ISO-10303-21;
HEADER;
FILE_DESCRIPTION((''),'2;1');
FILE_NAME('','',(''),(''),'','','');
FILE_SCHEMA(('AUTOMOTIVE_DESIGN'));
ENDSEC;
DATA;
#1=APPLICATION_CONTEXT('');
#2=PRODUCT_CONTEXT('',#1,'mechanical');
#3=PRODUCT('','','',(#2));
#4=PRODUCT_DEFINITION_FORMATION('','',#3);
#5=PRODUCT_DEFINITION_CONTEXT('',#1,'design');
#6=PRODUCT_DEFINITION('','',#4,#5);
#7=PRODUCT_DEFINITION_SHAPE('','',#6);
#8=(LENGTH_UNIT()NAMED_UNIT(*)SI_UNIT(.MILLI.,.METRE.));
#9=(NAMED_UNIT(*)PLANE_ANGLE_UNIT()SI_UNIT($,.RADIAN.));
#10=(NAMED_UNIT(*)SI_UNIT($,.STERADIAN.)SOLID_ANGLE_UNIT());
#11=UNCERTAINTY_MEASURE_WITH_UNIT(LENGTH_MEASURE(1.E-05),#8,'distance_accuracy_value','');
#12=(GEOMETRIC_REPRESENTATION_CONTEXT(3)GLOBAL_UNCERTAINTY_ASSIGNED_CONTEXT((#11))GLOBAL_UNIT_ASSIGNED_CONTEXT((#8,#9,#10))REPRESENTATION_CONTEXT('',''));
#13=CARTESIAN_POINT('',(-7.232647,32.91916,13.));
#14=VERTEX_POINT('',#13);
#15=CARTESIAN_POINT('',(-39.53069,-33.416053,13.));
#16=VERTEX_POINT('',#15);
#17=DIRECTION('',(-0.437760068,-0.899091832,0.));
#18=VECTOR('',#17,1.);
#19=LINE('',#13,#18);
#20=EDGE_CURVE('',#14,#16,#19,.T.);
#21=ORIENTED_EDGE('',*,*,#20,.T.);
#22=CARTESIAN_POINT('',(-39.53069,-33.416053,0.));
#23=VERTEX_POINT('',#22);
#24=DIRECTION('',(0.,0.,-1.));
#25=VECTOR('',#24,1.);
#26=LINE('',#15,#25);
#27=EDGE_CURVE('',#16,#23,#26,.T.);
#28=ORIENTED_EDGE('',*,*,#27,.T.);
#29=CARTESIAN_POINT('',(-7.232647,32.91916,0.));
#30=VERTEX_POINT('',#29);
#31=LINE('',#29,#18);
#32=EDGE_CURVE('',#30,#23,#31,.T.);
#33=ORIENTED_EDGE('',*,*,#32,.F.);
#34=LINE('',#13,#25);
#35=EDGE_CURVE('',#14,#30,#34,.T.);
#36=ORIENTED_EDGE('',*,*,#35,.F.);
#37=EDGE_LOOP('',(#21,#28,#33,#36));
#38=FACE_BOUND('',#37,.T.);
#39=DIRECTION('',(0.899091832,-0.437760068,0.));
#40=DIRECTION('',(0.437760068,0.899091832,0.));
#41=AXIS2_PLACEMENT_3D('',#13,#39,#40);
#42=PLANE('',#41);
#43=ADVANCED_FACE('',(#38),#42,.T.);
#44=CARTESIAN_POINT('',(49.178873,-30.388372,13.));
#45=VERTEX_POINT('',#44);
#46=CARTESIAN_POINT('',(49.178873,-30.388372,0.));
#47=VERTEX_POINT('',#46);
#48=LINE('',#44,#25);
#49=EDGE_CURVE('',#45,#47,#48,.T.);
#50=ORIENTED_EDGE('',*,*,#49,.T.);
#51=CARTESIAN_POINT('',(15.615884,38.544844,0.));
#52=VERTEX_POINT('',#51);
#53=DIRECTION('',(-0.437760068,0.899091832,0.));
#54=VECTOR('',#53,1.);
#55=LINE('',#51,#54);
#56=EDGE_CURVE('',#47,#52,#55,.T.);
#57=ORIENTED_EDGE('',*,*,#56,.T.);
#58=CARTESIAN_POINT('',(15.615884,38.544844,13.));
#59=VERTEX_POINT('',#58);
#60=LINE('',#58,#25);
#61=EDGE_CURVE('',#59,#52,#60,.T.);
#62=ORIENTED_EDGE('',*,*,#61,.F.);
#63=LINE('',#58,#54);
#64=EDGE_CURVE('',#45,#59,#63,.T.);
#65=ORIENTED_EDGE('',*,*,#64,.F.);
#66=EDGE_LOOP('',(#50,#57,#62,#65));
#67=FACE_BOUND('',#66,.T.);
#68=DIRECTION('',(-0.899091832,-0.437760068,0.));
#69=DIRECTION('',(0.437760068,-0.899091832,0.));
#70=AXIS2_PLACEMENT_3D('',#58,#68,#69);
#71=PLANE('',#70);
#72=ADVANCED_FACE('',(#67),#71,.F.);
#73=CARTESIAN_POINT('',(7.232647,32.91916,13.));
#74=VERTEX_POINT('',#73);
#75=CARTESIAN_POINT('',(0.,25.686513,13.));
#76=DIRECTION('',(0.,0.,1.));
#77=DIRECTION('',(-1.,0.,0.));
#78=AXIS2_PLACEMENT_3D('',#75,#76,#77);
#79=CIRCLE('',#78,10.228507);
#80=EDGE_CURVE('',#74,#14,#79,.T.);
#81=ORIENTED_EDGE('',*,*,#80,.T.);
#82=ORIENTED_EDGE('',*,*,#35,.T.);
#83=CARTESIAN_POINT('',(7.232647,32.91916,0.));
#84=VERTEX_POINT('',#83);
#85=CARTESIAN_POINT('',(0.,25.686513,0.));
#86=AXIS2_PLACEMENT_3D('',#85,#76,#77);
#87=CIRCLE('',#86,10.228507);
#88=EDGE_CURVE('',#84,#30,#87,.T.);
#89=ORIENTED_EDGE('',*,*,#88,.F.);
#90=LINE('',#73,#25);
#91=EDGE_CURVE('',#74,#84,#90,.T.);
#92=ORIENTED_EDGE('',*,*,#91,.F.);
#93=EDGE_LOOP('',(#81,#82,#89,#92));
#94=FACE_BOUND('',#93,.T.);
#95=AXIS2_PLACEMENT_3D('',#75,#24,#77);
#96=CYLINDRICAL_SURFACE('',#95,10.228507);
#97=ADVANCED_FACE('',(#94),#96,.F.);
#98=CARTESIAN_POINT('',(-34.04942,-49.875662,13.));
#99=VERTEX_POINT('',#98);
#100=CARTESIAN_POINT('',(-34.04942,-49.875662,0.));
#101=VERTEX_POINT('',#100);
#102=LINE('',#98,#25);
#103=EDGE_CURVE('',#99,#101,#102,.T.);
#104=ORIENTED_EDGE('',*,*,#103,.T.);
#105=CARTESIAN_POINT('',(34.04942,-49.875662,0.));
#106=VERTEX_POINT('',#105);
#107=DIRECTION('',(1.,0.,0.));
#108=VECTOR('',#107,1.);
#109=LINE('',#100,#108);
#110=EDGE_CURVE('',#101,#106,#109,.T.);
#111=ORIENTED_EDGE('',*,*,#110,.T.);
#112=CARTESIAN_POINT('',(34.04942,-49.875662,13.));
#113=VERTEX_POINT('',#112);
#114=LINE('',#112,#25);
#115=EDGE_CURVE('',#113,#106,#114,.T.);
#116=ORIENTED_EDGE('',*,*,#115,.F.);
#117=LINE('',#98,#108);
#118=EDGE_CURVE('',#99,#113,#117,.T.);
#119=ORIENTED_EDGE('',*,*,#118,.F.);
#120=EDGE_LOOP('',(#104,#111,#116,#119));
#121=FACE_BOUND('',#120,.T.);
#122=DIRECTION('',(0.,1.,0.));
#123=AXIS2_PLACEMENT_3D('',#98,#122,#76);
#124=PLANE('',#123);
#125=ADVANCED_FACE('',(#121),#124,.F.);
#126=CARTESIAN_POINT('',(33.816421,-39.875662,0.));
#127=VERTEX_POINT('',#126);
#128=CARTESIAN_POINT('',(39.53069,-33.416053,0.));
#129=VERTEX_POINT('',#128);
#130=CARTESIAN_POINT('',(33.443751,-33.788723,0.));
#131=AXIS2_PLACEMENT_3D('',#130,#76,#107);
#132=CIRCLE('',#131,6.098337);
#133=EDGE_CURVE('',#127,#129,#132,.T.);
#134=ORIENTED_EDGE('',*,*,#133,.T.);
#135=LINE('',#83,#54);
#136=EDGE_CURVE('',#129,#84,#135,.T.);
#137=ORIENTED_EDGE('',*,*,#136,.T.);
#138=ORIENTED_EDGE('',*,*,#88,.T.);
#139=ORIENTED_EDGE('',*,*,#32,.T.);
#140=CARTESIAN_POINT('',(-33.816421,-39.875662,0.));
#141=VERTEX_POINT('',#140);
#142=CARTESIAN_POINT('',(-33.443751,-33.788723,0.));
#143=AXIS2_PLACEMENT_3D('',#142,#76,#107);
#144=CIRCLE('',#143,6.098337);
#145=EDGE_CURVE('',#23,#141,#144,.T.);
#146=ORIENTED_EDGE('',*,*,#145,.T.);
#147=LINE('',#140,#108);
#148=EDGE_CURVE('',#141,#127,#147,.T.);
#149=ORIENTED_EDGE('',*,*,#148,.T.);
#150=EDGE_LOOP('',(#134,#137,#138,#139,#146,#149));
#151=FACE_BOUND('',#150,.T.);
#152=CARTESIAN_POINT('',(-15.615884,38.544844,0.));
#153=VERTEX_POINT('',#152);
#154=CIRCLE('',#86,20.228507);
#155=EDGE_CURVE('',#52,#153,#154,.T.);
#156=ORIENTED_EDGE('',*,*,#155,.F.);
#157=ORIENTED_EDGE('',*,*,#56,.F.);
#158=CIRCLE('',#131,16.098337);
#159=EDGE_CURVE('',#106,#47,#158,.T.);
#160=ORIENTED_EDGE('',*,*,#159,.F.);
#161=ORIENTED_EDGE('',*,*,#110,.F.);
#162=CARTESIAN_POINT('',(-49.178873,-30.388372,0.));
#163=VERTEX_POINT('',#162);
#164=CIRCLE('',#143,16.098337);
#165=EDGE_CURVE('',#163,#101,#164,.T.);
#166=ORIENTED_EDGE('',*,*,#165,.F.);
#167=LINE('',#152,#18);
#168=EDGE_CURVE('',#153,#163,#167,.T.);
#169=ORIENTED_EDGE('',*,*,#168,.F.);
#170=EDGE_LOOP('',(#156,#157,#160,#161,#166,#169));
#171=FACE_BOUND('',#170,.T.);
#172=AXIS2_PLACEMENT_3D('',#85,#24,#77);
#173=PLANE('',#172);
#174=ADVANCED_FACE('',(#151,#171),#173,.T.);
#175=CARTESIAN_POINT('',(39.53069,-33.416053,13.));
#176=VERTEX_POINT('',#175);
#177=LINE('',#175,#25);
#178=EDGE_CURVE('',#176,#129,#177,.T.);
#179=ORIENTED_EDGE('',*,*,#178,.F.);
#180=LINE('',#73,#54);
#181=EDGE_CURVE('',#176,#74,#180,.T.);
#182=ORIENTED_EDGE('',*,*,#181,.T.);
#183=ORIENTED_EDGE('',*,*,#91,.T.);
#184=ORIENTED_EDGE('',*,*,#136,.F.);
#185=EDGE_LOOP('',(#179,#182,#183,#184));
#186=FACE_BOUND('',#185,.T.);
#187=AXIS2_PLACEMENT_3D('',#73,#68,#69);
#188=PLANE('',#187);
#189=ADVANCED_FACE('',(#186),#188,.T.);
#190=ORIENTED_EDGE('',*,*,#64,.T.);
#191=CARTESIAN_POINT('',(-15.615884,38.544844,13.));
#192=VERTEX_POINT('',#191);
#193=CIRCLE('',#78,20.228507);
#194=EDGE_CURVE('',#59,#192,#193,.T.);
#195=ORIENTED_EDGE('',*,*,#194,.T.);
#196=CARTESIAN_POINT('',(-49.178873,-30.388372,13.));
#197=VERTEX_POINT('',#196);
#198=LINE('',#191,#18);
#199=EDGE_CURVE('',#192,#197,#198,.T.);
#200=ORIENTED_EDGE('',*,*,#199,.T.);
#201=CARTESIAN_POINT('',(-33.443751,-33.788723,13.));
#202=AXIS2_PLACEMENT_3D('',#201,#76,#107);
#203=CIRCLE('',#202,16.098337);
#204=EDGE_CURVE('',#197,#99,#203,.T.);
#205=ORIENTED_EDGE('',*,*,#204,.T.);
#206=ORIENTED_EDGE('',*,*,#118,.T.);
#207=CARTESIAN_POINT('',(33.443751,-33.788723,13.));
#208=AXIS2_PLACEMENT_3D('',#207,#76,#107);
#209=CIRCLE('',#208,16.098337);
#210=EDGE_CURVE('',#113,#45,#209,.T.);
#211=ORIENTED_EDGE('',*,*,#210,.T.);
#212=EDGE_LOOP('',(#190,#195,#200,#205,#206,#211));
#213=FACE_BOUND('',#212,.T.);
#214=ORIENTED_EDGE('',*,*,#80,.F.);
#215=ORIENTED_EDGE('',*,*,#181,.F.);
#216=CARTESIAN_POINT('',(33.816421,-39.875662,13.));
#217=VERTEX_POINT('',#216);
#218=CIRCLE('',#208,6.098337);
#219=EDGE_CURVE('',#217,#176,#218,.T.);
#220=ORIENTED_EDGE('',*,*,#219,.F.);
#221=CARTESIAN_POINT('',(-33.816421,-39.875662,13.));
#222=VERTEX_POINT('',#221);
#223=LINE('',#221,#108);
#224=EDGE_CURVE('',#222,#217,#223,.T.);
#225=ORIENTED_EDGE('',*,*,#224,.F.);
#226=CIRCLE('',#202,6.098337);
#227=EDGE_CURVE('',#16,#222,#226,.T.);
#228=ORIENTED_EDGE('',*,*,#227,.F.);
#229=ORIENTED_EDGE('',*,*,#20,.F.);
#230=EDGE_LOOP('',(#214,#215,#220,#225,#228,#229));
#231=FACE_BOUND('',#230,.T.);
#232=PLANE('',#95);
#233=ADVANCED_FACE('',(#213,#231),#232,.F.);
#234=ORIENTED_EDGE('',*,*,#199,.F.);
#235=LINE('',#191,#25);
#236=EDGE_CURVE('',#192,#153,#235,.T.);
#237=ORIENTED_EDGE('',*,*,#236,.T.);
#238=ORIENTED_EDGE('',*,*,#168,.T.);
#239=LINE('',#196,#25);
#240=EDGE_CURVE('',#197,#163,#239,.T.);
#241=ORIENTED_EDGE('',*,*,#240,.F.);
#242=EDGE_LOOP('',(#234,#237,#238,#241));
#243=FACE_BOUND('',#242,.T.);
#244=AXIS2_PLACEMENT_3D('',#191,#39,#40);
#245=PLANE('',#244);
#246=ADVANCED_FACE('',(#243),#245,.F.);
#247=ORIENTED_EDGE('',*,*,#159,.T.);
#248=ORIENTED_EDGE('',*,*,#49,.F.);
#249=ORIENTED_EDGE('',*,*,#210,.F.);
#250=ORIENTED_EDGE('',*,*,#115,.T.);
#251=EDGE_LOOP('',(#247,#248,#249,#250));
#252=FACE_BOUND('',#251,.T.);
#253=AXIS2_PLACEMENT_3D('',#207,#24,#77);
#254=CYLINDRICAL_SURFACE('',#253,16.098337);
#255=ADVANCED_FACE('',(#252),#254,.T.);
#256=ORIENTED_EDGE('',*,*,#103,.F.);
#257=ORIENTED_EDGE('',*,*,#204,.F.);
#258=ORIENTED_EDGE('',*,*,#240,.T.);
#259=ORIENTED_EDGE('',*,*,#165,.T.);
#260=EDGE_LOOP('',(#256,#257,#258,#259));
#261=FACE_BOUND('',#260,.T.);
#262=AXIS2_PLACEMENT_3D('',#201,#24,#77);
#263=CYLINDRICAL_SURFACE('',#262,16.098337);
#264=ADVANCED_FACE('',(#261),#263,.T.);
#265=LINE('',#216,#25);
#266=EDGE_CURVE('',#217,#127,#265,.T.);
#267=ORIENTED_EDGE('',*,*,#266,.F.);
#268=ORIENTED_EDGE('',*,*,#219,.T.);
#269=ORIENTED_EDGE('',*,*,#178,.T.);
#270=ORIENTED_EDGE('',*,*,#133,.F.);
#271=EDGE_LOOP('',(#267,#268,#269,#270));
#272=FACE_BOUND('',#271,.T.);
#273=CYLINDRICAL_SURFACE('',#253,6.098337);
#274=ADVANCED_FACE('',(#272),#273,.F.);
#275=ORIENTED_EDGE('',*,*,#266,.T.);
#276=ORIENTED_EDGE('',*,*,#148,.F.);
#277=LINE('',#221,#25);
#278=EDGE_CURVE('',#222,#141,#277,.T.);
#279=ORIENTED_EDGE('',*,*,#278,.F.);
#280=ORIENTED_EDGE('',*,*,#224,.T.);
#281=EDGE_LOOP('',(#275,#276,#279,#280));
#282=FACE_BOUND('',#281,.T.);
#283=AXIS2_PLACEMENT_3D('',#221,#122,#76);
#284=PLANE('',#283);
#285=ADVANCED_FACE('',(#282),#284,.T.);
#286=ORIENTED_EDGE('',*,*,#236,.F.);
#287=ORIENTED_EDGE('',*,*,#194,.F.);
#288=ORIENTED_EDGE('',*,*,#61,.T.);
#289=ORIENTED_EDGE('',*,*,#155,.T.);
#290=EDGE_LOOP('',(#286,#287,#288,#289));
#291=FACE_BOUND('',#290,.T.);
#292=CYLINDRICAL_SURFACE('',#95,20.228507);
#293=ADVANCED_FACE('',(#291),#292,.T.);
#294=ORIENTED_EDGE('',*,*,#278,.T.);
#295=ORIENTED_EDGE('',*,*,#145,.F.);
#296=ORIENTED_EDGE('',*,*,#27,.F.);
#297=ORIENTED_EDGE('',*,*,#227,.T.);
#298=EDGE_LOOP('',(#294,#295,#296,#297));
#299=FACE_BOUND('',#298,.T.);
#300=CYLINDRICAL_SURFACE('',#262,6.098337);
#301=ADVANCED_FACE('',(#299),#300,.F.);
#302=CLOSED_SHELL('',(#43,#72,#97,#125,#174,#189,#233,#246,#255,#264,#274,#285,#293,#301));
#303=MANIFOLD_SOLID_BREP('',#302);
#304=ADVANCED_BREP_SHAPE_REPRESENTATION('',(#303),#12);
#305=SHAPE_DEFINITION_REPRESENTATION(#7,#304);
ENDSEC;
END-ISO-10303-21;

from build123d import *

# Parameters (mm, degrees)
RESSALTO_EXTRUS_O1_DEPTH = 13


with BuildPart() as part:
    # Esboço1 → Ressalto-extrusão1 (new body)
    with BuildSketch(Plane.XY):
        with BuildLine():
            Line((15.615884134, 38.544843573), (49.178873209, -30.38837245))
            ThreePointArc((49.178873209, -30.38837245), (46.159645688, -43.661031044), (34.049419966, -49.87566168))
            Line((34.049419966, -49.87566168), (-34.049419966, -49.87566168))
            ThreePointArc((-34.049419966, -49.87566168), (-46.159645688, -43.661031044), (-49.178873209, -30.38837245))
            Line((-49.178873209, -30.38837245), (-15.615884134, 38.544843573))
            ThreePointArc((-15.615884134, 38.544843573), (0, 45.915020285), (15.615884134, 38.544843573))
        make_face()
        with BuildLine():
            Line((-7.232646643, 32.919159954), (-39.530690371, -33.416052934))
            ThreePointArc((-39.530690371, -33.416052934), (-38.011384509, -37.829321224), (-33.816421096, -39.87566168))
            Line((-33.816421096, -39.87566168), (33.816421096, -39.87566168))
            ThreePointArc((33.816421096, -39.87566168), (38.011384509, -37.829321224), (39.530690371, -33.416052934))
            Line((39.530690371, -33.416052934), (7.232646643, 32.919159954))
            ThreePointArc((7.232646643, 32.919159954), (0, 35.915020285), (-7.232646643, 32.919159954))
        make_face(mode=Mode.SUBTRACT)
    extrude(amount=RESSALTO_EXTRUS_O1_DEPTH)


solid = part.part
